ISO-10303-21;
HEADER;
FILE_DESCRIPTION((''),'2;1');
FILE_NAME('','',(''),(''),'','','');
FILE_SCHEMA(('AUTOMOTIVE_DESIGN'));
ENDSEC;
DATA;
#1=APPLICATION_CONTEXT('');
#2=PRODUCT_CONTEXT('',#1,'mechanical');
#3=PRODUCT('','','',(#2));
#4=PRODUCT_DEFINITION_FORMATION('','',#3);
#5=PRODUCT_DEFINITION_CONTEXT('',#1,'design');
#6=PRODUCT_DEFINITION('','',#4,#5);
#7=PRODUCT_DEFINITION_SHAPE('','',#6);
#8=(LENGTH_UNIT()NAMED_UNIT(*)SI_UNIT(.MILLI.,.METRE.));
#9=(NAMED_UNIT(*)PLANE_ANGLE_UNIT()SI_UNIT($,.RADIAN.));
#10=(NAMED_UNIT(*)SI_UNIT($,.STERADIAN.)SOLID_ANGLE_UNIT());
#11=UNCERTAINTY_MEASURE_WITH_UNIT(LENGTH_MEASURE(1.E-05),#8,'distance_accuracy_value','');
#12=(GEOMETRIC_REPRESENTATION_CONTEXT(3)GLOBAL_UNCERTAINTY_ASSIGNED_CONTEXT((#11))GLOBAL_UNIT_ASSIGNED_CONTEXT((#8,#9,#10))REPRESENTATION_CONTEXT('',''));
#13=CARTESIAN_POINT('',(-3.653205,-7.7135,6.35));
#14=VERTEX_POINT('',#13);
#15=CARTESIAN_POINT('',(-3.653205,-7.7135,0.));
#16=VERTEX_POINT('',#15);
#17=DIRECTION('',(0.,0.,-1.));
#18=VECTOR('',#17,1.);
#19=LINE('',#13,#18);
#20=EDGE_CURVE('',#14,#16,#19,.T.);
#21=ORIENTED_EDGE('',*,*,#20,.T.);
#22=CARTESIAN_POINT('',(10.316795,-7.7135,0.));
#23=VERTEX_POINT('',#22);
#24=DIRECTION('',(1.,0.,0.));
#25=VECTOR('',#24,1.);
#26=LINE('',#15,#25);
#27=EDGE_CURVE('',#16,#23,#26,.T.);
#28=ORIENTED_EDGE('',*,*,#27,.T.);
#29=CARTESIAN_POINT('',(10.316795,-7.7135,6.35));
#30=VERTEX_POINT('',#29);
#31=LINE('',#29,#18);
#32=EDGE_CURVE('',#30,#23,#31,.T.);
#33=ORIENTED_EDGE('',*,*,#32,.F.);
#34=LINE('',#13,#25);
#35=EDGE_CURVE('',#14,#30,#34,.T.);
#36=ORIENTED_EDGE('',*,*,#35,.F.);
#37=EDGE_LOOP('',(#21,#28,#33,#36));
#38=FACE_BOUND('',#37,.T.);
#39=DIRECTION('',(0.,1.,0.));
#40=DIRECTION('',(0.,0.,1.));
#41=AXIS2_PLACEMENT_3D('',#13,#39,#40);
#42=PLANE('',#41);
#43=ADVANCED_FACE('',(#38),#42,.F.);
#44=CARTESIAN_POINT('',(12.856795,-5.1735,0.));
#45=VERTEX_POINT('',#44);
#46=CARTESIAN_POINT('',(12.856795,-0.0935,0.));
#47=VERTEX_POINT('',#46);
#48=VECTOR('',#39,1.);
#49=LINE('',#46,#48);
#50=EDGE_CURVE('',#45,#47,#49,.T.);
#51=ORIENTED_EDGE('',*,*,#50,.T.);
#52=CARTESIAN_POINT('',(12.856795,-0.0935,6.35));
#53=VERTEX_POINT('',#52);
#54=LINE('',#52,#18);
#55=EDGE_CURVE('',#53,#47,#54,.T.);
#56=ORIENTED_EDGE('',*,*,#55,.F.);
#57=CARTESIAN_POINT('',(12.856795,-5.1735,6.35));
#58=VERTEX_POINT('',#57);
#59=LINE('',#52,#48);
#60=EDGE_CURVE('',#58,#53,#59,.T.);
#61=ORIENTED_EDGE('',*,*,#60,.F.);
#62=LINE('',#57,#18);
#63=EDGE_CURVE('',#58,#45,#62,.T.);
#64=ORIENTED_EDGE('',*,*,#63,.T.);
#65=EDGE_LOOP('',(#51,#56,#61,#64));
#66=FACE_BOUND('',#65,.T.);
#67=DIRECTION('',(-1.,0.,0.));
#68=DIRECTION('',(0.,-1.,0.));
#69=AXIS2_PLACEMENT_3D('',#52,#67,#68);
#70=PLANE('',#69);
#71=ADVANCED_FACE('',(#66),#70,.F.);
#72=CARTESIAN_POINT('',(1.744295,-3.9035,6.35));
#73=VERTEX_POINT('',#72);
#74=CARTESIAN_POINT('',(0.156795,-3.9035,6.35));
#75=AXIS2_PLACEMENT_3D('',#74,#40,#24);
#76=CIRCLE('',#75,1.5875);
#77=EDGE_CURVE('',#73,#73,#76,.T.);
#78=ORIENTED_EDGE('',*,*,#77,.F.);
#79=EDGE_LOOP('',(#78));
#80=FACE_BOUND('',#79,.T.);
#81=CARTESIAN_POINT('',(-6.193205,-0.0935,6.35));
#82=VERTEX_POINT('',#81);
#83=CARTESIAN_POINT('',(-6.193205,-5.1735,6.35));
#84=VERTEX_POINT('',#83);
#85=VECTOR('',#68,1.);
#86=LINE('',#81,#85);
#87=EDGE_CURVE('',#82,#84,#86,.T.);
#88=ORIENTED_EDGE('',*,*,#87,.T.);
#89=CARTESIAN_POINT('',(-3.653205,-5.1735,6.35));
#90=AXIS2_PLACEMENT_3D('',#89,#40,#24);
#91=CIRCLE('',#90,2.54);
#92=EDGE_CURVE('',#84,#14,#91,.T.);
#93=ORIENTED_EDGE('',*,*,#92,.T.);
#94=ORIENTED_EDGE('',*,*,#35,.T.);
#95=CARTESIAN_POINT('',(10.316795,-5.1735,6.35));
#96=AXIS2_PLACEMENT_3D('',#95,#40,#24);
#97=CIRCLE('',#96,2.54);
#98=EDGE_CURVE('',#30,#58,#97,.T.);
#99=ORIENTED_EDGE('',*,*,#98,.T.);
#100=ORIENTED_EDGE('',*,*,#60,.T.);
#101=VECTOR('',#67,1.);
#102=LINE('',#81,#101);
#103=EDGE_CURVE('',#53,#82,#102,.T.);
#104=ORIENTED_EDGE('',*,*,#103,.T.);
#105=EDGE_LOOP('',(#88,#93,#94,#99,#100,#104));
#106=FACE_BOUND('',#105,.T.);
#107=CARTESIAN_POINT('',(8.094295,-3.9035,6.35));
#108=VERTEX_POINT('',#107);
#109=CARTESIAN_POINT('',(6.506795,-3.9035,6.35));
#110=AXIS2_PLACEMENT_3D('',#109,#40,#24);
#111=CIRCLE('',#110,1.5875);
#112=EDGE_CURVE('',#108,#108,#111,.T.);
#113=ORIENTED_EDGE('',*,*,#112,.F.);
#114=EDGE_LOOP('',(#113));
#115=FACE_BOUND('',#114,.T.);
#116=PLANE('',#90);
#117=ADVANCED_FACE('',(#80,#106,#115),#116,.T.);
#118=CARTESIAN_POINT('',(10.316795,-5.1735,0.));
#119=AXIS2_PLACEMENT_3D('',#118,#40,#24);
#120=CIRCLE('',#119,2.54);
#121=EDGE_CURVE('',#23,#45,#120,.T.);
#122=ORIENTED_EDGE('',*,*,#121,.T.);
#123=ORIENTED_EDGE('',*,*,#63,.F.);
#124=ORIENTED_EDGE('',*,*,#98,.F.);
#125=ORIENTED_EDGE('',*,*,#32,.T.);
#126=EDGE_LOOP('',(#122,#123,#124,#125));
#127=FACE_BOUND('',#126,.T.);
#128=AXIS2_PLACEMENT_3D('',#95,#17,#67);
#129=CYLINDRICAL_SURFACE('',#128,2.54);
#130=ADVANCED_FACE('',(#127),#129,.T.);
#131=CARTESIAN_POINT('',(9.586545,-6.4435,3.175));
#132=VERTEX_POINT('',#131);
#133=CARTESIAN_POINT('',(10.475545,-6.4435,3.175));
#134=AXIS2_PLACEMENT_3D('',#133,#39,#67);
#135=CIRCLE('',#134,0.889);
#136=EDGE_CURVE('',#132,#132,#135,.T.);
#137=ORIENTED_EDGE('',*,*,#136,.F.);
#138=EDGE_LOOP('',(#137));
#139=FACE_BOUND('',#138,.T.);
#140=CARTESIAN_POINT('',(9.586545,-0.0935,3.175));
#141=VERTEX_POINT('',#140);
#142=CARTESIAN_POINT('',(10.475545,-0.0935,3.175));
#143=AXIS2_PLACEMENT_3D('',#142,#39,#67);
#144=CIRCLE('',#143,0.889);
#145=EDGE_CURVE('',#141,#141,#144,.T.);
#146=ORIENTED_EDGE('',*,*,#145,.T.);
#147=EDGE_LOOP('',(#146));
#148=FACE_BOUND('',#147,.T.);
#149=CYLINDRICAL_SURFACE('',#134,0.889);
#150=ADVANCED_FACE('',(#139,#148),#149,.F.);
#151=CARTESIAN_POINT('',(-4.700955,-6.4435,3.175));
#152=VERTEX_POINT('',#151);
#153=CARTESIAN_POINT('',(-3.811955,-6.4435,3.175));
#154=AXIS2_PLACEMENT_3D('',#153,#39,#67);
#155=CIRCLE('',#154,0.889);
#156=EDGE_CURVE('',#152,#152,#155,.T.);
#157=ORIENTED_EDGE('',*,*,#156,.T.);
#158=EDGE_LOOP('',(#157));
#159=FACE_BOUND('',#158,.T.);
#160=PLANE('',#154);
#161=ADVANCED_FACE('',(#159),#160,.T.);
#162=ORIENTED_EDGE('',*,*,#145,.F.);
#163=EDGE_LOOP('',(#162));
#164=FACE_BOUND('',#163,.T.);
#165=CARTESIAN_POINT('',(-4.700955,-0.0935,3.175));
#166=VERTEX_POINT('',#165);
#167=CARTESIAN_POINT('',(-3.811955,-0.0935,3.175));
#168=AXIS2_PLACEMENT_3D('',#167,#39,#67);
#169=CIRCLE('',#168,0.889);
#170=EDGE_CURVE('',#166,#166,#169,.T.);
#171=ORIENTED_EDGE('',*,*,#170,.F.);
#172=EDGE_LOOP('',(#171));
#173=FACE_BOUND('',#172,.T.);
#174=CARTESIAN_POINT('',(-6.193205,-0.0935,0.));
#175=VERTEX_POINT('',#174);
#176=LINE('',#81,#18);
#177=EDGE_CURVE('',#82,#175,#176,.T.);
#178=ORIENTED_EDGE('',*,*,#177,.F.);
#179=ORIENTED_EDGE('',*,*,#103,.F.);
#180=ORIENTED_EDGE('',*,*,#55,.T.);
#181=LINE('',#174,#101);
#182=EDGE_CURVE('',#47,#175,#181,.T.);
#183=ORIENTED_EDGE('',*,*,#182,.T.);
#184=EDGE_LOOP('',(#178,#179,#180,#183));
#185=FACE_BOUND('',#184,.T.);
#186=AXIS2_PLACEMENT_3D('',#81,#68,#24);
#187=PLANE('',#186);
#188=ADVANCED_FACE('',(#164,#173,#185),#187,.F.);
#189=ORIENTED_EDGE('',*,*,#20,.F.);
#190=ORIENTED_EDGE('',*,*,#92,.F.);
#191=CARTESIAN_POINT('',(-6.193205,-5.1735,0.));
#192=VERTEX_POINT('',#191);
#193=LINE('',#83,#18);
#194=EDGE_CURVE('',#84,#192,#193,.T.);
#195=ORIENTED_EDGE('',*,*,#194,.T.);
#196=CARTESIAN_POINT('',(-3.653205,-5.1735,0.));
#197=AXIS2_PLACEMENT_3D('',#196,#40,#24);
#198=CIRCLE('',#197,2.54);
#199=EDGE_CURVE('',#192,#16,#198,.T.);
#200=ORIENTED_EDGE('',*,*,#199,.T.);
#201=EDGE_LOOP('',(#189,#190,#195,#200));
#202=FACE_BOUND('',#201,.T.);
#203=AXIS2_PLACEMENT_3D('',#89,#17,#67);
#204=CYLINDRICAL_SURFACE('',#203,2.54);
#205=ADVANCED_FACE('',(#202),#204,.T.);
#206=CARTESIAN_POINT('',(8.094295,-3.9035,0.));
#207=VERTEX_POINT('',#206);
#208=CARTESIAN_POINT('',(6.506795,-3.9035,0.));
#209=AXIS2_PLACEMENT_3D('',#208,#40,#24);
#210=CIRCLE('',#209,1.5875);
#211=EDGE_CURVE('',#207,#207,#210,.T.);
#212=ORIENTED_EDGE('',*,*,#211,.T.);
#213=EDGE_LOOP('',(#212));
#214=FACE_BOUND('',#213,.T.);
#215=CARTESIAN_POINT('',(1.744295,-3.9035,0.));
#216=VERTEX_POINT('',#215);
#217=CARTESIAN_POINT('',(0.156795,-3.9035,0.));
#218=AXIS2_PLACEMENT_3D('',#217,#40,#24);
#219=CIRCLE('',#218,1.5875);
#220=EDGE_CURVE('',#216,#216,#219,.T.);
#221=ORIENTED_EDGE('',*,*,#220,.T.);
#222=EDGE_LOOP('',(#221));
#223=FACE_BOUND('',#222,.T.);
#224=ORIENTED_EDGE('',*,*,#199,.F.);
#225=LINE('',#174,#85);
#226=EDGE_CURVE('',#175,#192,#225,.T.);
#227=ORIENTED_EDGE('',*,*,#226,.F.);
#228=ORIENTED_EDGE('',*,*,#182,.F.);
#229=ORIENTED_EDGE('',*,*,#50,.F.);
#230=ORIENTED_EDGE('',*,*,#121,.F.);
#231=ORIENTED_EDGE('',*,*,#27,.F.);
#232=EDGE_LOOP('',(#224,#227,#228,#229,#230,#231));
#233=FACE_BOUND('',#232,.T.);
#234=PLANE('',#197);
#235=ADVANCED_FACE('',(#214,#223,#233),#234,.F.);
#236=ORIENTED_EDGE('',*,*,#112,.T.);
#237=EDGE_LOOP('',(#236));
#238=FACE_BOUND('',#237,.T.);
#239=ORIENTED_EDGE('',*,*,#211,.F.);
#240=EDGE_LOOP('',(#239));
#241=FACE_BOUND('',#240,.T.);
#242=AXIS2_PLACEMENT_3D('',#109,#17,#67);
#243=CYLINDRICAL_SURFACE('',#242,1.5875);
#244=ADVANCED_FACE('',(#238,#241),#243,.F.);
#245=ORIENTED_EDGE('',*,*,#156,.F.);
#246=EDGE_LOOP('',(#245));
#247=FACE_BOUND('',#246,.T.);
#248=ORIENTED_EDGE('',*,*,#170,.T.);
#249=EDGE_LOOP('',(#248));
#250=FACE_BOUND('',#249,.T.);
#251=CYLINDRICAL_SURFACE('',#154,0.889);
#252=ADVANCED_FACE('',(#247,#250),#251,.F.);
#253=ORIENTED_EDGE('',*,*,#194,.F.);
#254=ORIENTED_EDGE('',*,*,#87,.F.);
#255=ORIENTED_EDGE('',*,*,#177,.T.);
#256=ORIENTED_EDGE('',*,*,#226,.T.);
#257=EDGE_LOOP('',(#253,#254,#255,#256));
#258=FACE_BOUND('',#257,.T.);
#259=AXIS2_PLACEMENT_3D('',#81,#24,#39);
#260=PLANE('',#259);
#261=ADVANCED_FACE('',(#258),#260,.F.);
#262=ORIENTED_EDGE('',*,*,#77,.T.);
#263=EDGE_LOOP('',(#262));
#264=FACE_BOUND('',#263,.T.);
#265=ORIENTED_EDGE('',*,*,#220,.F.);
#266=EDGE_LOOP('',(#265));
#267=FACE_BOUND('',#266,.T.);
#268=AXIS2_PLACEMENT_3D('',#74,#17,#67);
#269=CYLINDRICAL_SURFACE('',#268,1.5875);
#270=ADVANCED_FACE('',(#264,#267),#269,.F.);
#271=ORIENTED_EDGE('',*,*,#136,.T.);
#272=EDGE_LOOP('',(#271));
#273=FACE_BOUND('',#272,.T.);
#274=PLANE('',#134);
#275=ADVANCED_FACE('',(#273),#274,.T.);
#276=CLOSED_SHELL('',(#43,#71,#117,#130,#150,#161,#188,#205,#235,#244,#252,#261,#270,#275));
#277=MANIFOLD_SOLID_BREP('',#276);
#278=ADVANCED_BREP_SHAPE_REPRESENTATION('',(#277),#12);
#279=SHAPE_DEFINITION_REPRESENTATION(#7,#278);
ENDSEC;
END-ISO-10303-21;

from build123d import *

# Parameters (mm, degrees)
SKETCH1_R           = 1.5875
BOSS_EXTRUDE1_DEPTH = 6.35
SKETCH2_R           = 0.889
CUT_EXTRUDE1_DEPTH  = 6.35


with BuildPart() as part:
    # Sketch1 → Boss-Extrude1 (new body)
    with BuildSketch(Plane.XY):
        with BuildLine():
            Line((-6.193204917, -0.093500134), (12.856795083, -0.093500134))
            Line((12.856795083, -0.093500134), (12.856795083, -5.173500134))
            ThreePointArc((12.856795083, -5.173500134), (12.112846307, -6.969551358), (10.316795083, -7.713500134))
            Line((10.316795083, -7.713500134), (-3.653204917, -7.713500134))
            ThreePointArc((-3.653204917, -7.713500134), (-5.449256142, -6.969551358), (-6.193204917, -5.173500134))
            Line((-6.193204917, -5.173500134), (-6.193204917, -0.093500134))
        make_face()
        with Locations((0.156795083, -3.903500134)):
            Circle(SKETCH1_R, mode=Mode.SUBTRACT)
        with Locations((6.506795083, -3.903500134)):
            Circle(SKETCH1_R, mode=Mode.SUBTRACT)
    extrude(amount=BOSS_EXTRUDE1_DEPTH)

    # Sketch2 → Cut-Extrude1 (cut)
    with BuildSketch(Plane(origin=(0, -0.093500134, 0), x_dir=(1, 0, 0), z_dir=(0, 1, 0))):
        with Locations(Location((-3.811954917, -3.175, 0), (0, 0, 180))):
            Circle(SKETCH2_R)
        with Locations(Location((10.475545083, -3.175, 0), (0, 0, 180))):
            Circle(SKETCH2_R)
    extrude(amount=-CUT_EXTRUDE1_DEPTH, mode=Mode.SUBTRACT)


solid = part.part
